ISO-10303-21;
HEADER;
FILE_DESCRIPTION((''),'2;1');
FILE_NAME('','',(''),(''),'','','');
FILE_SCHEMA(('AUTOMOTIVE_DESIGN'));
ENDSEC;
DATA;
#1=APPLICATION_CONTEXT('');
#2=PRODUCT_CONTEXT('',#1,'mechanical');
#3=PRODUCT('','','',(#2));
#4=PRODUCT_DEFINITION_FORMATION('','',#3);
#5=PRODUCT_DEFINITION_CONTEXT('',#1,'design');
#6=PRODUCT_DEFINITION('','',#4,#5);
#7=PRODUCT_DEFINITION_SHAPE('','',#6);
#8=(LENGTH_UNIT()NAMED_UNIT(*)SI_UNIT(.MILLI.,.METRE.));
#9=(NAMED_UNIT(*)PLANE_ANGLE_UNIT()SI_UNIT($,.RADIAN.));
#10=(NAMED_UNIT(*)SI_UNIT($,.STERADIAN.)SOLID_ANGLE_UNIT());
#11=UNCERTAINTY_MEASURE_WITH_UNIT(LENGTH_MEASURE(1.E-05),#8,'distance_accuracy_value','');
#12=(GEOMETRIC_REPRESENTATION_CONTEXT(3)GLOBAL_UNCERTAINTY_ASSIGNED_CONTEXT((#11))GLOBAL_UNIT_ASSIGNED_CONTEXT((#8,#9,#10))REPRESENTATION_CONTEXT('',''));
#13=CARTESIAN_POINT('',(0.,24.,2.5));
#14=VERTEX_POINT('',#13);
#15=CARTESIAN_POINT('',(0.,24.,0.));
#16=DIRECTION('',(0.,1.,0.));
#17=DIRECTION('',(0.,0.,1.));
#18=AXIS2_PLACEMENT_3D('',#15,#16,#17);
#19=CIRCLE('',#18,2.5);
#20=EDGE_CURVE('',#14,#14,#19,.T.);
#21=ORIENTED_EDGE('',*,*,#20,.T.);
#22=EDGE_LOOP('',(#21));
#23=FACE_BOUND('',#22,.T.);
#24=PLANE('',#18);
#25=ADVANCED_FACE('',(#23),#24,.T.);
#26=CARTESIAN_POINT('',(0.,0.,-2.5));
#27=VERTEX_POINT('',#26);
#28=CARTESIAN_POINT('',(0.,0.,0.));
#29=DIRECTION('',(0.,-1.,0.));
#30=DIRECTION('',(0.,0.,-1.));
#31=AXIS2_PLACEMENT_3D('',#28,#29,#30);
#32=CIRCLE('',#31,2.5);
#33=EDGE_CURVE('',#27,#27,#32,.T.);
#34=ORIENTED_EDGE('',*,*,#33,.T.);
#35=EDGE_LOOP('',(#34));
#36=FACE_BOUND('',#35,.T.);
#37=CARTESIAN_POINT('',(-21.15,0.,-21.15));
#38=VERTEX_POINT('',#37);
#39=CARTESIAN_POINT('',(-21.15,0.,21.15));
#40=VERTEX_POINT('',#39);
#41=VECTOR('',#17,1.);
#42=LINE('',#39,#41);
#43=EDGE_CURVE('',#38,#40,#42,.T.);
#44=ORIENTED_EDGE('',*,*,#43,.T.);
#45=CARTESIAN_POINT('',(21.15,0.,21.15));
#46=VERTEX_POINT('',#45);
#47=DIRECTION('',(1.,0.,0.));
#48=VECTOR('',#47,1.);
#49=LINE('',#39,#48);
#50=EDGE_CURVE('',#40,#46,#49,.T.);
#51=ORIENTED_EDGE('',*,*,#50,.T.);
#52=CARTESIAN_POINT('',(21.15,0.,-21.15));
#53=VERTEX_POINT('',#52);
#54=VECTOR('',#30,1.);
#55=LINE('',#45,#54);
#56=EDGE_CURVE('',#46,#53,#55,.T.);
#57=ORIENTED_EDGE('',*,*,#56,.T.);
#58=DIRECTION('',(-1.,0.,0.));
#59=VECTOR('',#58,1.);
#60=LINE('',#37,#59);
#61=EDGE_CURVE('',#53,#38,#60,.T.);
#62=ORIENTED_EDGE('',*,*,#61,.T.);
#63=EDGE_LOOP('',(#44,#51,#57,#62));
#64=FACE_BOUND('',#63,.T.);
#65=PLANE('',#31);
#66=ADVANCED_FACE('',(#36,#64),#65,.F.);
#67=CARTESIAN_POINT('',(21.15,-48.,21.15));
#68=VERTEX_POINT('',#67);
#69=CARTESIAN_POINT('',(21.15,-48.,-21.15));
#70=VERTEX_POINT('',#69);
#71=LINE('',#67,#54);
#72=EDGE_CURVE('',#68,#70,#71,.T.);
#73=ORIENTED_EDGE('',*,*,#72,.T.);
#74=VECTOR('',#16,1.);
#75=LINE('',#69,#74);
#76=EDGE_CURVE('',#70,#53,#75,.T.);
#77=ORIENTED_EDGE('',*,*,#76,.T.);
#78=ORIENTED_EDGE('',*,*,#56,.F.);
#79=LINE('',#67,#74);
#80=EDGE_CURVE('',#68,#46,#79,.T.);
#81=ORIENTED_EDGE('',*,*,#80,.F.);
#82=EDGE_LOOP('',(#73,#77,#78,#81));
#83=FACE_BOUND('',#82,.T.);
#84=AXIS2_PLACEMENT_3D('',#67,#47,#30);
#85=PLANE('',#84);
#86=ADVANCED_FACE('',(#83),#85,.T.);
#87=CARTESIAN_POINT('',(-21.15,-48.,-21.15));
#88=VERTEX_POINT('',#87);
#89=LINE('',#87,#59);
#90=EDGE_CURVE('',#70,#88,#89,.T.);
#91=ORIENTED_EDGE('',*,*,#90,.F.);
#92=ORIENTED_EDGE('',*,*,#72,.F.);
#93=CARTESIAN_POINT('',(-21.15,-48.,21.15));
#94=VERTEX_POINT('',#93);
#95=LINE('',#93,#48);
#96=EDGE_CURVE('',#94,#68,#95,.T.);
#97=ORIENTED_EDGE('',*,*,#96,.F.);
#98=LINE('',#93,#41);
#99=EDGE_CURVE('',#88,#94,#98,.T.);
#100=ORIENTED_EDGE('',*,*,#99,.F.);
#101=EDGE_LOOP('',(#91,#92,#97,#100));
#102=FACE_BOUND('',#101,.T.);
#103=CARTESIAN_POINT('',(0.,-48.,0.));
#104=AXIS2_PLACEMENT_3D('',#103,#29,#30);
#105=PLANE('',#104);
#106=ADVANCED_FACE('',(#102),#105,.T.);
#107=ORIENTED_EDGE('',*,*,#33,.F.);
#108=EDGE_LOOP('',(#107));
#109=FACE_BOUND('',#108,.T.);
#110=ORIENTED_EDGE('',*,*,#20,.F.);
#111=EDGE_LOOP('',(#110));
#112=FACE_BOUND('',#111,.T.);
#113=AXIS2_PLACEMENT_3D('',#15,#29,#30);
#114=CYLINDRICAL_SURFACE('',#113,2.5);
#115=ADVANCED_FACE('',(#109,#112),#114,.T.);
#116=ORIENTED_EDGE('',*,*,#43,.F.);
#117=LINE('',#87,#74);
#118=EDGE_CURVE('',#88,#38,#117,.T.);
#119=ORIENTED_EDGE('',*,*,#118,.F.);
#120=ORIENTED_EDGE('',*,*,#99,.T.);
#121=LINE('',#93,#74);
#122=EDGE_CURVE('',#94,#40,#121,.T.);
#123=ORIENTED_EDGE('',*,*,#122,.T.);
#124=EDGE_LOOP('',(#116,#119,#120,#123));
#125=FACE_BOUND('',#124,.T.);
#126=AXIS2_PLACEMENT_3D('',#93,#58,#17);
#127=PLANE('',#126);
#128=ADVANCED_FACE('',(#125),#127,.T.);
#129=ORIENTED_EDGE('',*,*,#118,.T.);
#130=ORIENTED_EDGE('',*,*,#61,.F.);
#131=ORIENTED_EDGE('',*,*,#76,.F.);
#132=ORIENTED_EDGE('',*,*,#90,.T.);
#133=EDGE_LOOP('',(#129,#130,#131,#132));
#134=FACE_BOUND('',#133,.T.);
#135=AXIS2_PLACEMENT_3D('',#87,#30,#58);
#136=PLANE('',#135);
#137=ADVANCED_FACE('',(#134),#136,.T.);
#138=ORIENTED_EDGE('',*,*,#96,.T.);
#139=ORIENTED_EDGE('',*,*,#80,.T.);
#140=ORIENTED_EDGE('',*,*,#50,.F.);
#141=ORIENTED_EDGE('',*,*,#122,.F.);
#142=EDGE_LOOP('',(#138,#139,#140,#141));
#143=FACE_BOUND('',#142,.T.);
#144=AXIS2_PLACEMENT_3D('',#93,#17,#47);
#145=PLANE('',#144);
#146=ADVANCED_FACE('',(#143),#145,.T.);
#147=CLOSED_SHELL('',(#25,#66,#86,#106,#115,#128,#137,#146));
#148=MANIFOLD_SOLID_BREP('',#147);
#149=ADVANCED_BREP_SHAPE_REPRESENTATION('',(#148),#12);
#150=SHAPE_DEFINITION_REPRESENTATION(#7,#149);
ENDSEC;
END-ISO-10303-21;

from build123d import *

# Parameters (mm, degrees)
SKETCH2_R           = 2.5
BOSS_EXTRUDE1_DEPTH = 24
SKETCH1_W           = 42.3
SKETCH1_H           = 42.3
BOSS_EXTRUDE2_DEPTH = 48


with BuildPart() as part:
    # Sketch2 → Boss-Extrude1 (new body)
    with BuildSketch(Plane(origin=(0, 0, 0), x_dir=(1, 0, 0), z_dir=(0, 1, 0))):
        with Locations(Location((0, 0, 0), (0, 0, 270))):
            Circle(SKETCH2_R)
    extrude(amount=BOSS_EXTRUDE1_DEPTH)

    # Sketch1 → Boss-Extrude2 (add)
    with BuildSketch(Plane(origin=(0, 0, 0), x_dir=(1, 0, 0), z_dir=(0, 1, 0))):
        Rectangle(SKETCH1_W, SKETCH1_H)
    extrude(amount=-BOSS_EXTRUDE2_DEPTH)


solid = part.part
